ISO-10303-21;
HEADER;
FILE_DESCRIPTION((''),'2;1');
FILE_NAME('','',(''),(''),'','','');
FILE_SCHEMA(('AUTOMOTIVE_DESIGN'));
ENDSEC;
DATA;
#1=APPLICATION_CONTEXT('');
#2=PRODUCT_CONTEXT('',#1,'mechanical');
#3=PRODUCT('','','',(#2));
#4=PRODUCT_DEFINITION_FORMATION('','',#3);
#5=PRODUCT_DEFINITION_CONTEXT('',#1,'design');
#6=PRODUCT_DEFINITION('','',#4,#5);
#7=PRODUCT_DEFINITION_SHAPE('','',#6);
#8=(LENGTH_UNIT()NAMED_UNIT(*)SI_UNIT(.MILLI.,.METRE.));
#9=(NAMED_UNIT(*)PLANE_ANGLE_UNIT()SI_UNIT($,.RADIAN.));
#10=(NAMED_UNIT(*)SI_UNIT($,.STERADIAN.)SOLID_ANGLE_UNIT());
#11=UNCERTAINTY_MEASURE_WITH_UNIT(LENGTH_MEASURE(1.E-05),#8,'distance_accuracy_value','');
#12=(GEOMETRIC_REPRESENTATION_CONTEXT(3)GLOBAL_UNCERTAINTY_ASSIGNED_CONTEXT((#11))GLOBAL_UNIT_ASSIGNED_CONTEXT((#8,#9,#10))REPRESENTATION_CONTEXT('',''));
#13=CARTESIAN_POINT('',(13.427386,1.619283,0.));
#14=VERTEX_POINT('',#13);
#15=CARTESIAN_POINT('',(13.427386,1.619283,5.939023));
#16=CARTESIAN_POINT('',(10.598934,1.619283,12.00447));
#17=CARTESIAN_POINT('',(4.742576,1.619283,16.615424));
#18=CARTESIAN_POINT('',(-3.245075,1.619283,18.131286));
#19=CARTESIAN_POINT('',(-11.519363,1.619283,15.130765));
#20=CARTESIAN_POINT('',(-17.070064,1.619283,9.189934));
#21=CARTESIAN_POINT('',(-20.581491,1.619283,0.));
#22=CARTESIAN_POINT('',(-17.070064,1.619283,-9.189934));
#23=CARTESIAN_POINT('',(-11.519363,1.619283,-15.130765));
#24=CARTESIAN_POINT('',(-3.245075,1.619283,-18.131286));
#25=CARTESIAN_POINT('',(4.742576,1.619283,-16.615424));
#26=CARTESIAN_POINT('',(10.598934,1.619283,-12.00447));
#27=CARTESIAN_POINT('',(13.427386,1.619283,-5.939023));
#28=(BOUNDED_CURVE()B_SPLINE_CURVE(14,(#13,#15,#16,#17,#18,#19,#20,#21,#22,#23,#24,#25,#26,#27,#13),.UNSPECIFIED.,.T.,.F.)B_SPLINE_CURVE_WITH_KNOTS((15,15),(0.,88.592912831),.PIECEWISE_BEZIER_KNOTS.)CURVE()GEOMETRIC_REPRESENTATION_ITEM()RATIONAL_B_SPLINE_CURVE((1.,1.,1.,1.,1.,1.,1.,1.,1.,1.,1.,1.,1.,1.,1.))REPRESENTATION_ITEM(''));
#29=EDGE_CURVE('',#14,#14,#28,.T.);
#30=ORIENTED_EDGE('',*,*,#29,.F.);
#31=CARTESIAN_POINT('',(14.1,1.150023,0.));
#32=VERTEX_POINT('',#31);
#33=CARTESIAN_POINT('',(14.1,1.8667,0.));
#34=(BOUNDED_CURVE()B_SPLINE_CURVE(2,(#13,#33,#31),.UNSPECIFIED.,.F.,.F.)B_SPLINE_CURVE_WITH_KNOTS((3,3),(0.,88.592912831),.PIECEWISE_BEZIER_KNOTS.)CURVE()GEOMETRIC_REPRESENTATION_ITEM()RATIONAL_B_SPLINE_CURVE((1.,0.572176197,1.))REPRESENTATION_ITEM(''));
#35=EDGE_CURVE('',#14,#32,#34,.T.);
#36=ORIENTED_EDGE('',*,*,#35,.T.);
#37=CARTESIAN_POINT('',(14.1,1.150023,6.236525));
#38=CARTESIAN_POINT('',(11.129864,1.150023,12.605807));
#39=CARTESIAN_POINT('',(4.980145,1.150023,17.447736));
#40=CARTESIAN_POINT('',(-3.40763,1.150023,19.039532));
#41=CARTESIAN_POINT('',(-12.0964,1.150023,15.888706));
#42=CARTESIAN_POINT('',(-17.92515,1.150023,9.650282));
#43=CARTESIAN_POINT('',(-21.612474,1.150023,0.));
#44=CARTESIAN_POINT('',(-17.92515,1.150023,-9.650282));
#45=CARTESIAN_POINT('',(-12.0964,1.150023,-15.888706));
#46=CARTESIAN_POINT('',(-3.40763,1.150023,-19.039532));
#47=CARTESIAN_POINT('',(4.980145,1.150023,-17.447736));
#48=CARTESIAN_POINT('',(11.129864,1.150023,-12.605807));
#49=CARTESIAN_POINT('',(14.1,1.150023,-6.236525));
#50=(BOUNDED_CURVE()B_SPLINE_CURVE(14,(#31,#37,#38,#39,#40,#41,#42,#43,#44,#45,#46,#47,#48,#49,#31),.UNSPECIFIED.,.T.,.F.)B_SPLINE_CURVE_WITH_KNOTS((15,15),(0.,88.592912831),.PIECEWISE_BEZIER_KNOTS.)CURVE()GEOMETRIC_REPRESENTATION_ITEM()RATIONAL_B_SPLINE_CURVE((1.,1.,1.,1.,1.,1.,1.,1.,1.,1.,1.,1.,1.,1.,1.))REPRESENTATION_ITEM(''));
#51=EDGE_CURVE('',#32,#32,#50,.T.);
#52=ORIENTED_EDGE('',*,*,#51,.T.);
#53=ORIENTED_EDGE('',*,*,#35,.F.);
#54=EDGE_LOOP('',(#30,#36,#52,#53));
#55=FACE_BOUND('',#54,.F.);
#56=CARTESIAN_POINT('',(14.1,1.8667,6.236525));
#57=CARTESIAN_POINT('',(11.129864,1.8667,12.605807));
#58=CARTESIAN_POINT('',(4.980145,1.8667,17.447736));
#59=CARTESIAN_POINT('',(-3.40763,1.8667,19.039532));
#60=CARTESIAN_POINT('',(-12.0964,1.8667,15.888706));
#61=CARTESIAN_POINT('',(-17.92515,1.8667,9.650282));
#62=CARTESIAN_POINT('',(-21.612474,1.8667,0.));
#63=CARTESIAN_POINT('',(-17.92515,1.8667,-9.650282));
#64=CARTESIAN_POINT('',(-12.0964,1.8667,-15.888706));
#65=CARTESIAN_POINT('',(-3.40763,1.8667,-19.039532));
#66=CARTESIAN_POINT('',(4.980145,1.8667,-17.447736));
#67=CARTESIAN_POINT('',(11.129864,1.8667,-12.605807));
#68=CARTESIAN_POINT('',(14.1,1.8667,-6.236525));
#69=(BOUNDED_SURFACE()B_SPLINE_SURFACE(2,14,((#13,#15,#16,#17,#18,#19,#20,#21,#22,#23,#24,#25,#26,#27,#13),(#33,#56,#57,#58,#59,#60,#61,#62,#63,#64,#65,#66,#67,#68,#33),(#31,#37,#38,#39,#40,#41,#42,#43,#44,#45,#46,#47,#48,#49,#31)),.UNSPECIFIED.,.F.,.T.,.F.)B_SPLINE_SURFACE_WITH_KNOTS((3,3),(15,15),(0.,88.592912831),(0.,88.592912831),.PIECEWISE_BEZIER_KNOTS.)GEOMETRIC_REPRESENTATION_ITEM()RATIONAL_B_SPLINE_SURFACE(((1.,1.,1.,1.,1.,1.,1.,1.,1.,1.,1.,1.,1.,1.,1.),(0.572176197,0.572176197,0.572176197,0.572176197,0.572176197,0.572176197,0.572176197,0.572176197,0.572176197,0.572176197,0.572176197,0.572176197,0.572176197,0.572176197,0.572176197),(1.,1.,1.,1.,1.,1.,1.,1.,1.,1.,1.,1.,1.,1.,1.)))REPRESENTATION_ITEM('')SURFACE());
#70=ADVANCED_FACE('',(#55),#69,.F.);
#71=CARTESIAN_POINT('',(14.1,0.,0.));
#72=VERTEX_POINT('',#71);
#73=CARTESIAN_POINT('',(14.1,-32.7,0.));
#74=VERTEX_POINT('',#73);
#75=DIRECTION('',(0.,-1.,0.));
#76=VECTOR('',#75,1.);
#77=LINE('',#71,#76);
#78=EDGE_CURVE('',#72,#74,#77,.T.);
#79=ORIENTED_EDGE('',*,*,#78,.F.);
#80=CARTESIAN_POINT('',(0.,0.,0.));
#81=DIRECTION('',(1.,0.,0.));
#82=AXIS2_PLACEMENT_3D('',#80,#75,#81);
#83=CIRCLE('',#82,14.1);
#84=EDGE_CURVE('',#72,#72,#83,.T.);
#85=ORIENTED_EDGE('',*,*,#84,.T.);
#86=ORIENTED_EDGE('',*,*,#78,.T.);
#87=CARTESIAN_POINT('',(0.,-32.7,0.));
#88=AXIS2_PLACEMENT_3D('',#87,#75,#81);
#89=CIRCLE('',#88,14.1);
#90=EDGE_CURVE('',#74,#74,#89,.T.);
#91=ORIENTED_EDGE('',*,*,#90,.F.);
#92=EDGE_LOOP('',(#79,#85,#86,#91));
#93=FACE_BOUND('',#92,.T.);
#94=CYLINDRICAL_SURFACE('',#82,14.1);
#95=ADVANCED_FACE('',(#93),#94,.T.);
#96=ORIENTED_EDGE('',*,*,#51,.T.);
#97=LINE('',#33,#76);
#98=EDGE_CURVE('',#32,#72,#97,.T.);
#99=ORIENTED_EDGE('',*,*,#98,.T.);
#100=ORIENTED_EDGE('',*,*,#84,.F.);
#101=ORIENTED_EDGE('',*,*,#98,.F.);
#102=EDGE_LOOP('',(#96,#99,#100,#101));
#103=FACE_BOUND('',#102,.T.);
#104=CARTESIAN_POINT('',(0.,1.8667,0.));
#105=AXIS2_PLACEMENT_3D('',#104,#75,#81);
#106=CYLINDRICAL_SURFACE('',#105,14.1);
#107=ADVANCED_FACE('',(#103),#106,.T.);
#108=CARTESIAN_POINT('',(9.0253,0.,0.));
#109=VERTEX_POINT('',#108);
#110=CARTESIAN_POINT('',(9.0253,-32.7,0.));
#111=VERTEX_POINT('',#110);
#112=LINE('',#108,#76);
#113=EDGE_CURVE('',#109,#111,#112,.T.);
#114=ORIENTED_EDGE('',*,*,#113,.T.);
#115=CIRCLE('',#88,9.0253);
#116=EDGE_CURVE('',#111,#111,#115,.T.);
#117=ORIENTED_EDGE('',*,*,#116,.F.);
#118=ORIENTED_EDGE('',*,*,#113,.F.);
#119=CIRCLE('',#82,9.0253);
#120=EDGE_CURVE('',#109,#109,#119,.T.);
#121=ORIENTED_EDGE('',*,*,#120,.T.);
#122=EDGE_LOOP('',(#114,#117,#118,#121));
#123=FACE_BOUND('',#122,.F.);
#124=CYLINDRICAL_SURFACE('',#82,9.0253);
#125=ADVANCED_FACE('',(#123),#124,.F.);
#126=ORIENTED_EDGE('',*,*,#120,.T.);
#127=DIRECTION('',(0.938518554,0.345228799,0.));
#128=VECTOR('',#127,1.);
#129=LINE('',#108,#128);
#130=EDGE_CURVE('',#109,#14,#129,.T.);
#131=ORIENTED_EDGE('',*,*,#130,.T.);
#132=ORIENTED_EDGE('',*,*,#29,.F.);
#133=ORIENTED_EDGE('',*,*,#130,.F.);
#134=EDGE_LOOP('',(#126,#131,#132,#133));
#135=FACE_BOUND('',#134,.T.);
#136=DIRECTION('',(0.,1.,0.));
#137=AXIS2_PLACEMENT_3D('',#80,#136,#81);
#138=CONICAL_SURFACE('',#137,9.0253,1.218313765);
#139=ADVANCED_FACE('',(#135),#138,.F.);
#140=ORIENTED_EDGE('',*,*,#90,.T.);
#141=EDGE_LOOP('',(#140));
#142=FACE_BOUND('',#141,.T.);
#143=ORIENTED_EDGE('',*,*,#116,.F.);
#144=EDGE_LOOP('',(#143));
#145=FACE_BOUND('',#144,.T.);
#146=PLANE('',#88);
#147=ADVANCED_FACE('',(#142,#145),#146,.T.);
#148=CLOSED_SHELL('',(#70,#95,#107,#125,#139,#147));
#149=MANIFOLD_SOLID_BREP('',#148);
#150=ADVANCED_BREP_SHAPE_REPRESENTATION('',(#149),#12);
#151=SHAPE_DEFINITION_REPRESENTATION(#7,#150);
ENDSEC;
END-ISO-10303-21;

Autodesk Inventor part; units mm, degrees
ref_plane "YZ Plane" through (0, 0, 0) normal (1, 0, 0) x (0, 1, 0)
ref_plane "XZ Plane" through (0, 0, 0) normal (0, 1, 0) x (-1, 0, 0)
sketch "Szkic1" plane through (0, 0, 0) normal (0, 0, 1) x (1, 0, 0)
  line L0 (0, 0) -> (14.1, 0) construction
  line L1 (0, 0) -> (0, -32.7) construction
  line L2 (14.1, 0) -> (14.1, -32.7)
  line L3 (0, 0) -> (0, 3)
  arc A0 (9.0253, 0) -> (0, 3) centre (-0.3652, -13.1746) ccw
  line L4 (9.0253, 0) -> (14.1, 1.8667)
  line L5 (14.1, 1.8667) -> (14.1, 0)
  line L6 (0, 0) -> (0, -32.7)
  line L7 (14.1, -32.7) -> (0, -32.7)
  line L8 (9.0253, 0) -> (9.0253, -32.7)
  line L9 (0, 0) -> (9.0253, 0)
  dimension "d0" = 14.1
  dimension "d1" = 32.7
  dimension "d2" = 3
ref_plane "Płaszczyzna konstrukcyjna1" through (0, 0, 0) normal (0, 1, 0) x (1, 0, 0)
sketch "Szkic2" plane through (0, 0, 0) normal (0, 1, 0) x (1, 0, 0)
  point P0 (0, 0)
revolve "Obrót3" add sketch "Szkic1" angle 360 about axis through (0, 0, 0) along (0, -1, 0) contours L2 L7 L8 L4 L5
fillet "Zaokrąglenie1" radius 0.5 1 edges at (-14.1, 1.8667, 0)
properties part number "obiektyw3"
